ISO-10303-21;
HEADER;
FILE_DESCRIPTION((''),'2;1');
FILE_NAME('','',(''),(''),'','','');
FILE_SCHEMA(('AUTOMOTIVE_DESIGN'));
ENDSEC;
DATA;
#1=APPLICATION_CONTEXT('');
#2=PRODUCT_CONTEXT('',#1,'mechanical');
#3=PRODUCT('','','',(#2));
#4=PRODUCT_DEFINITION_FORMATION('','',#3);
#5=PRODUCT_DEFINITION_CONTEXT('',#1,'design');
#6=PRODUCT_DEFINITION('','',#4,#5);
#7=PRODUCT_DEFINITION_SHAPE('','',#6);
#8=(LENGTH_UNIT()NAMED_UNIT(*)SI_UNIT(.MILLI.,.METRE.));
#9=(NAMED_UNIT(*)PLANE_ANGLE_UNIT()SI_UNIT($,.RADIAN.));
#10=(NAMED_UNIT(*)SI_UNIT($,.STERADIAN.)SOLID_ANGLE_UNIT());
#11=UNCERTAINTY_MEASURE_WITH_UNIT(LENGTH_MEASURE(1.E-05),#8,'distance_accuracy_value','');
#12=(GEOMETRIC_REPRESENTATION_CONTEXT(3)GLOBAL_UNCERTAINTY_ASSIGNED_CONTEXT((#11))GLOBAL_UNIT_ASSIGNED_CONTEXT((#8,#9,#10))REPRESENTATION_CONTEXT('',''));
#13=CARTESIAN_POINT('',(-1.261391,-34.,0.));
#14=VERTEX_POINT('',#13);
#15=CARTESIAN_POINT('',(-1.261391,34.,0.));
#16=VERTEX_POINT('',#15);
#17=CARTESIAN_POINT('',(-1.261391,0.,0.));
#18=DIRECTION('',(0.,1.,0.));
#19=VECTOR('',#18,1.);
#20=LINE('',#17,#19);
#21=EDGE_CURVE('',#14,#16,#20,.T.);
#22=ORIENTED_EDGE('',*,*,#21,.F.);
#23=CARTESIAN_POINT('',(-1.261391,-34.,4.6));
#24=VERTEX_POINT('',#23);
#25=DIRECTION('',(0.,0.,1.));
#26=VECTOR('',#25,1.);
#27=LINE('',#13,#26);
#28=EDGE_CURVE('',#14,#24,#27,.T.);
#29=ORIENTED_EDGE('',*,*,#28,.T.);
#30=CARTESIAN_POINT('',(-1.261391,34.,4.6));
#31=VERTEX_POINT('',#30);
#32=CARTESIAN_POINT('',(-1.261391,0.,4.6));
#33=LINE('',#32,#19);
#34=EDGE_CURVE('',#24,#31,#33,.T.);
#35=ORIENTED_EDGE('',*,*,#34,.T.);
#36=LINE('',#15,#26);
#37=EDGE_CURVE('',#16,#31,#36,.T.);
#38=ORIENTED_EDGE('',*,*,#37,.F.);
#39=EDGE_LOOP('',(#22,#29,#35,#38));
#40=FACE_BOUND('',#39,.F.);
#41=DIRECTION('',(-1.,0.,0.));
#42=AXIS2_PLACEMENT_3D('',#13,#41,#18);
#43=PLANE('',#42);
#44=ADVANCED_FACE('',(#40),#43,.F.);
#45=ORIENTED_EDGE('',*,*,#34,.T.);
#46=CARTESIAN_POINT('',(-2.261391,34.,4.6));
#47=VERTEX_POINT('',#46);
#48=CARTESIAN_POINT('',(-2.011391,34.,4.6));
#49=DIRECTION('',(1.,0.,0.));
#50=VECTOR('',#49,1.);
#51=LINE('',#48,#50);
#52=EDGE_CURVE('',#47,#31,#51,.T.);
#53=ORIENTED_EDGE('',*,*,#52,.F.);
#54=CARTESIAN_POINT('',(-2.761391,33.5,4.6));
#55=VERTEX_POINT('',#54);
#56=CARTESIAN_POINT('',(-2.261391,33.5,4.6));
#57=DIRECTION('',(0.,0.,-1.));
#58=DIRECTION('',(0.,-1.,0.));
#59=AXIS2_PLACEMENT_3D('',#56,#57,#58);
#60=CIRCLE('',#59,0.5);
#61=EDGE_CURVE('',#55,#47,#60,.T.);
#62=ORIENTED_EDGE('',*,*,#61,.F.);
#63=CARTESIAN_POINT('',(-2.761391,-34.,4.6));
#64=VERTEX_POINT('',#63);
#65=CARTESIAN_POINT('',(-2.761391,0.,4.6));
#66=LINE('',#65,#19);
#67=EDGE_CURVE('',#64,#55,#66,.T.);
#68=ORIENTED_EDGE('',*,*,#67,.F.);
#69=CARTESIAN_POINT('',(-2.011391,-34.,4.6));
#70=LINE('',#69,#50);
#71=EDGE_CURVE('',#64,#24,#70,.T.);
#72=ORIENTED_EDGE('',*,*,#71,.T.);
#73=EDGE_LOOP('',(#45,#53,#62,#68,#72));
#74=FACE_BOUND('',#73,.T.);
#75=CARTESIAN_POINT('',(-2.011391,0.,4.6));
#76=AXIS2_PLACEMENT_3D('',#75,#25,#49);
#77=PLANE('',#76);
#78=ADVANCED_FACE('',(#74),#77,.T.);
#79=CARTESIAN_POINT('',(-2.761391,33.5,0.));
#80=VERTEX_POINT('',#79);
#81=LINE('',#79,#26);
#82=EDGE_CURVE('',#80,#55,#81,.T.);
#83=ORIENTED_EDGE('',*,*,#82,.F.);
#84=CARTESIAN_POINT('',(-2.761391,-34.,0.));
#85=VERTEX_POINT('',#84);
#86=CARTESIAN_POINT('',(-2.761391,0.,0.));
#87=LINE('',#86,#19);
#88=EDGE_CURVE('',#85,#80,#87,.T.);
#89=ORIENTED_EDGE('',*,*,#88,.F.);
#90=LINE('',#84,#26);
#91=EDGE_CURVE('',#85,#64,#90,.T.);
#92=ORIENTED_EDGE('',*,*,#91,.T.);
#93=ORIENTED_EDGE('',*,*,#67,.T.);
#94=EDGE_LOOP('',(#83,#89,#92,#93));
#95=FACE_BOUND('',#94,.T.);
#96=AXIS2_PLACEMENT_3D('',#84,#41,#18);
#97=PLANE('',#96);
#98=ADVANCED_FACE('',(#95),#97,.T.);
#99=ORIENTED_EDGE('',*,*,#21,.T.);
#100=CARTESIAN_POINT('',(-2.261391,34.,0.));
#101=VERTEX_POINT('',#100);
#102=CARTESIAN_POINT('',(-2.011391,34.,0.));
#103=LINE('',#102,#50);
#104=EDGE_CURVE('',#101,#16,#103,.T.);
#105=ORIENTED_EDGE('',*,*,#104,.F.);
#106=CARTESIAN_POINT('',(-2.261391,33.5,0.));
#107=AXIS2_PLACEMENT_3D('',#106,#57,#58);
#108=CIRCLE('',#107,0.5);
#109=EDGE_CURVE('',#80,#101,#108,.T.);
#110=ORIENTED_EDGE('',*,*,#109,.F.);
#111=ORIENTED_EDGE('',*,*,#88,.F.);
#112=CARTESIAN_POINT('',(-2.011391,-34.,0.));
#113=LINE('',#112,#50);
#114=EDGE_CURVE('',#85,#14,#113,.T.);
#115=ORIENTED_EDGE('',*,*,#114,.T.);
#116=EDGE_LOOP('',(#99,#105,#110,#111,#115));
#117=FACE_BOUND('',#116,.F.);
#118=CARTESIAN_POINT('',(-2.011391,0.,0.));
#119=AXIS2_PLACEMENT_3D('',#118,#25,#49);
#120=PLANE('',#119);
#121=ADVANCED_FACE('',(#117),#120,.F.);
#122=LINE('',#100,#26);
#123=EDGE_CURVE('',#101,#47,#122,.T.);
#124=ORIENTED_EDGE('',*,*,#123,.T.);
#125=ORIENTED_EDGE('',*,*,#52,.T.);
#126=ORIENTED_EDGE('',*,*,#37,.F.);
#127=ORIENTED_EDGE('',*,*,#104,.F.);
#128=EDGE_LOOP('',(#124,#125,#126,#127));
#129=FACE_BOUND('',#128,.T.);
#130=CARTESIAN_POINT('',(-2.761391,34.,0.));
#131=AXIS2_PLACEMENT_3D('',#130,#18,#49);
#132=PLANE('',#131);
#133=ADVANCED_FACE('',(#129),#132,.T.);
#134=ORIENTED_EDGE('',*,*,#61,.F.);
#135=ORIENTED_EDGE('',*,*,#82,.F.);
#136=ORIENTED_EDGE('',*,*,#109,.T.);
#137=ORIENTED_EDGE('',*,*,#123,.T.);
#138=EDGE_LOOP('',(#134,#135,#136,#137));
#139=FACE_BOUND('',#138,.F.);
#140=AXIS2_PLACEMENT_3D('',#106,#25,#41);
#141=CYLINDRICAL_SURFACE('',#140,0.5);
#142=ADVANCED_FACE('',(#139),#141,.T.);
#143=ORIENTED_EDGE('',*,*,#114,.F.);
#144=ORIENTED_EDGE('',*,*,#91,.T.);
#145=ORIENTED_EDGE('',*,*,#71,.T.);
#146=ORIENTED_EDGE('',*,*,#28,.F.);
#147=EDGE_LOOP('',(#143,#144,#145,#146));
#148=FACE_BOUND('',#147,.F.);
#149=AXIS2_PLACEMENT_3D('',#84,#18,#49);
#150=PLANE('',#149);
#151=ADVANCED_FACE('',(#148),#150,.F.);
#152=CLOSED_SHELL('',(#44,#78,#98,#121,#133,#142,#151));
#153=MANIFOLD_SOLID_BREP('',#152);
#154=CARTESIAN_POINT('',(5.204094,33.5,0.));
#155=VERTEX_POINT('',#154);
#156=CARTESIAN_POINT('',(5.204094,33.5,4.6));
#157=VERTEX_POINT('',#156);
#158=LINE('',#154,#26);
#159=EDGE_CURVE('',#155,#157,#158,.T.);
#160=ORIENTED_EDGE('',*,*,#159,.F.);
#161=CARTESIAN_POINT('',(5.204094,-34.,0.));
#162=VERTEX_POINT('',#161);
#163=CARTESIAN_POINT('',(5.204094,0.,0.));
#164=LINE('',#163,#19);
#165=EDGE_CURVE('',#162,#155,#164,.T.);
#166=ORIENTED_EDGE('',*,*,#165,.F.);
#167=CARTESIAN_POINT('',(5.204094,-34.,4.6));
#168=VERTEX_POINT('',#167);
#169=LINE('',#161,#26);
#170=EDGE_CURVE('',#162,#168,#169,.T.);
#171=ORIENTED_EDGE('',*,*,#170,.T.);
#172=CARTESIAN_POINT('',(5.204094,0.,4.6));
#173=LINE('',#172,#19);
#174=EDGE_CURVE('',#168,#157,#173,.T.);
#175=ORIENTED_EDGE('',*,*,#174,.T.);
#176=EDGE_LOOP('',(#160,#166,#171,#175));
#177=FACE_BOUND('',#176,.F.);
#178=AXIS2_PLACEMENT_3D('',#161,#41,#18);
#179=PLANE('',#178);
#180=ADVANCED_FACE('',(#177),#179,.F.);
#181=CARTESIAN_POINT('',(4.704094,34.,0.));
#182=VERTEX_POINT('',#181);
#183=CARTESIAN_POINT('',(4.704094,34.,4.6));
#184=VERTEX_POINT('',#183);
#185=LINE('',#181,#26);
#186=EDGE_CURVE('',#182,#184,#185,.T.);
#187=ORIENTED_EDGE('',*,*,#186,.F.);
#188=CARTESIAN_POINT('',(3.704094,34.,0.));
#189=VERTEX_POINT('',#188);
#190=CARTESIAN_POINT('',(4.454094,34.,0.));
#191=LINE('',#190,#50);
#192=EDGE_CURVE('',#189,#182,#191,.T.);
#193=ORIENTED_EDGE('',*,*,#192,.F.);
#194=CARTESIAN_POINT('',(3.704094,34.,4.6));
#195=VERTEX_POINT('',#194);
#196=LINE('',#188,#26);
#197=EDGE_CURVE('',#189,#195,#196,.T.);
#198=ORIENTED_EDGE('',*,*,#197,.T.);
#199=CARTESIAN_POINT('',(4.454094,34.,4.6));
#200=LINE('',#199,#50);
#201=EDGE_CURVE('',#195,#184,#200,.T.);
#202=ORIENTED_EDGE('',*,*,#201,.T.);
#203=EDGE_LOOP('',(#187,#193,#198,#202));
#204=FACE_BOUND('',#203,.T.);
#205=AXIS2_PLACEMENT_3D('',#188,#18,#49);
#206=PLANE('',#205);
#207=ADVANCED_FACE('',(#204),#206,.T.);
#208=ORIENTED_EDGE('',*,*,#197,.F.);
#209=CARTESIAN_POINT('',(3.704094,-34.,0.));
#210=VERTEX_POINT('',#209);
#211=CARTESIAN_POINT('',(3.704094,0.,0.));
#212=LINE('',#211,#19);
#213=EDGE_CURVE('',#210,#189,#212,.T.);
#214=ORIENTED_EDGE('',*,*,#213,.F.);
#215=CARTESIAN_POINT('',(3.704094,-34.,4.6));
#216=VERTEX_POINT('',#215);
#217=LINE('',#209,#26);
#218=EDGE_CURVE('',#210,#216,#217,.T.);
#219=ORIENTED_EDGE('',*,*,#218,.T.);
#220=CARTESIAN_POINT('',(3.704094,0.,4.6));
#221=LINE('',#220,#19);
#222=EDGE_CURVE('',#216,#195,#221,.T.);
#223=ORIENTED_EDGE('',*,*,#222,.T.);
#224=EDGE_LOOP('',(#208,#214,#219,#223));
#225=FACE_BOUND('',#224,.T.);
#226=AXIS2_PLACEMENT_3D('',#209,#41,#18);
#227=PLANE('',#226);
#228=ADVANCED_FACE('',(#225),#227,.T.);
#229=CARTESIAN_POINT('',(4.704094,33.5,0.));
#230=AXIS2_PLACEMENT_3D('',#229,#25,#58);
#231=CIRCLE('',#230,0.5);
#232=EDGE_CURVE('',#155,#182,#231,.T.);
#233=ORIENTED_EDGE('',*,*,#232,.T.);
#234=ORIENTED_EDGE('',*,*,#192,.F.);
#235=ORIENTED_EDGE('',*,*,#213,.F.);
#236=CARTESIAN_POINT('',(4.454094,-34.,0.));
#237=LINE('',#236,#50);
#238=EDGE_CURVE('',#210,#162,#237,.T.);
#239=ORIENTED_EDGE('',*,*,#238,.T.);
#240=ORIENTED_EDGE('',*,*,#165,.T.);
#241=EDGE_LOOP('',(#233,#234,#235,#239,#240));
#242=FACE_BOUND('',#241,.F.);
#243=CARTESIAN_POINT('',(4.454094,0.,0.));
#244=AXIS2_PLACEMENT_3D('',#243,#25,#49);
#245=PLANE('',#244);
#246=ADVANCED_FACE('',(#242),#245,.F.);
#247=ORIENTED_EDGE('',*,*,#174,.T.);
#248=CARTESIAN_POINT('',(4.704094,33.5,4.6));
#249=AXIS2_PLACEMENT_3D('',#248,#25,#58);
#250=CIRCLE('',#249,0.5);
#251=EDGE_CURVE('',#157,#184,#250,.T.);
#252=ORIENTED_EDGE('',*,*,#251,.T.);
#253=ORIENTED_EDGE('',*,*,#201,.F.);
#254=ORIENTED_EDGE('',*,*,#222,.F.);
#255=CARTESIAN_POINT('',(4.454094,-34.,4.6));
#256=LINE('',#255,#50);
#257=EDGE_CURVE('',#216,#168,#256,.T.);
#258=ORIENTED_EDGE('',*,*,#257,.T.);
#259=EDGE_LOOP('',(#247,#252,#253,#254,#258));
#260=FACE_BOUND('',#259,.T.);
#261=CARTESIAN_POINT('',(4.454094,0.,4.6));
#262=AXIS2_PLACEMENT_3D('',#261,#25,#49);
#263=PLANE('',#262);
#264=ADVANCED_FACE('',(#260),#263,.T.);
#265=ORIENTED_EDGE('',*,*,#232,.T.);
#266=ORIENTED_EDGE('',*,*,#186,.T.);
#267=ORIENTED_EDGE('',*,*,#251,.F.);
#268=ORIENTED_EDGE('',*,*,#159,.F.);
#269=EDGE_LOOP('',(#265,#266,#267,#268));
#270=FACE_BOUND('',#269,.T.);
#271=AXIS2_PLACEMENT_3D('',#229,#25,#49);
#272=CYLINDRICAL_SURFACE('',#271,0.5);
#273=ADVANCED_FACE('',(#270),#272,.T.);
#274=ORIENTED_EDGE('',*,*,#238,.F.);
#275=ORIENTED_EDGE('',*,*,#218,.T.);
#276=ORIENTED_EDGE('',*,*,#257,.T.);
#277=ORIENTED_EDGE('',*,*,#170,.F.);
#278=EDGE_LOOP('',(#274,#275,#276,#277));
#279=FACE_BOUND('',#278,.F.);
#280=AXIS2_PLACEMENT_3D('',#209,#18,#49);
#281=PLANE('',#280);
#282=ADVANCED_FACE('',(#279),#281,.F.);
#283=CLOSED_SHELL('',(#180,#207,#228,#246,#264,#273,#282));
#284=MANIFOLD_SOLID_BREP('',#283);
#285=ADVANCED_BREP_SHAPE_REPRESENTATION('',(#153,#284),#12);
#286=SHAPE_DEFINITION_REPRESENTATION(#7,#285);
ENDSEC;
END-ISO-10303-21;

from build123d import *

# Parameters (mm, degrees)
F0_W     = 1.5
F0_H     = 68
F1_DEPTH = 4.6
F2_R     = 0.5


with BuildPart() as f1:
    # F0 (on Top) → F1 (new body)
    with BuildSketch(Plane.XY):
        with Locations((-2.011391, 0)):
            Rectangle(F0_W, F0_H)
        with Locations((4.454094, 0)):
            Rectangle(F0_W, F0_H)
    extrude(amount=F1_DEPTH)

    # F2
    f2_edges = [f1.edges().sort_by_distance(p)[0] for p in [
        (-2.761391, 34, 2.3),
        (5.204094, 34, 2.3),
    ]]
    fillet(f2_edges, radius=F2_R)


solid = f1.part
